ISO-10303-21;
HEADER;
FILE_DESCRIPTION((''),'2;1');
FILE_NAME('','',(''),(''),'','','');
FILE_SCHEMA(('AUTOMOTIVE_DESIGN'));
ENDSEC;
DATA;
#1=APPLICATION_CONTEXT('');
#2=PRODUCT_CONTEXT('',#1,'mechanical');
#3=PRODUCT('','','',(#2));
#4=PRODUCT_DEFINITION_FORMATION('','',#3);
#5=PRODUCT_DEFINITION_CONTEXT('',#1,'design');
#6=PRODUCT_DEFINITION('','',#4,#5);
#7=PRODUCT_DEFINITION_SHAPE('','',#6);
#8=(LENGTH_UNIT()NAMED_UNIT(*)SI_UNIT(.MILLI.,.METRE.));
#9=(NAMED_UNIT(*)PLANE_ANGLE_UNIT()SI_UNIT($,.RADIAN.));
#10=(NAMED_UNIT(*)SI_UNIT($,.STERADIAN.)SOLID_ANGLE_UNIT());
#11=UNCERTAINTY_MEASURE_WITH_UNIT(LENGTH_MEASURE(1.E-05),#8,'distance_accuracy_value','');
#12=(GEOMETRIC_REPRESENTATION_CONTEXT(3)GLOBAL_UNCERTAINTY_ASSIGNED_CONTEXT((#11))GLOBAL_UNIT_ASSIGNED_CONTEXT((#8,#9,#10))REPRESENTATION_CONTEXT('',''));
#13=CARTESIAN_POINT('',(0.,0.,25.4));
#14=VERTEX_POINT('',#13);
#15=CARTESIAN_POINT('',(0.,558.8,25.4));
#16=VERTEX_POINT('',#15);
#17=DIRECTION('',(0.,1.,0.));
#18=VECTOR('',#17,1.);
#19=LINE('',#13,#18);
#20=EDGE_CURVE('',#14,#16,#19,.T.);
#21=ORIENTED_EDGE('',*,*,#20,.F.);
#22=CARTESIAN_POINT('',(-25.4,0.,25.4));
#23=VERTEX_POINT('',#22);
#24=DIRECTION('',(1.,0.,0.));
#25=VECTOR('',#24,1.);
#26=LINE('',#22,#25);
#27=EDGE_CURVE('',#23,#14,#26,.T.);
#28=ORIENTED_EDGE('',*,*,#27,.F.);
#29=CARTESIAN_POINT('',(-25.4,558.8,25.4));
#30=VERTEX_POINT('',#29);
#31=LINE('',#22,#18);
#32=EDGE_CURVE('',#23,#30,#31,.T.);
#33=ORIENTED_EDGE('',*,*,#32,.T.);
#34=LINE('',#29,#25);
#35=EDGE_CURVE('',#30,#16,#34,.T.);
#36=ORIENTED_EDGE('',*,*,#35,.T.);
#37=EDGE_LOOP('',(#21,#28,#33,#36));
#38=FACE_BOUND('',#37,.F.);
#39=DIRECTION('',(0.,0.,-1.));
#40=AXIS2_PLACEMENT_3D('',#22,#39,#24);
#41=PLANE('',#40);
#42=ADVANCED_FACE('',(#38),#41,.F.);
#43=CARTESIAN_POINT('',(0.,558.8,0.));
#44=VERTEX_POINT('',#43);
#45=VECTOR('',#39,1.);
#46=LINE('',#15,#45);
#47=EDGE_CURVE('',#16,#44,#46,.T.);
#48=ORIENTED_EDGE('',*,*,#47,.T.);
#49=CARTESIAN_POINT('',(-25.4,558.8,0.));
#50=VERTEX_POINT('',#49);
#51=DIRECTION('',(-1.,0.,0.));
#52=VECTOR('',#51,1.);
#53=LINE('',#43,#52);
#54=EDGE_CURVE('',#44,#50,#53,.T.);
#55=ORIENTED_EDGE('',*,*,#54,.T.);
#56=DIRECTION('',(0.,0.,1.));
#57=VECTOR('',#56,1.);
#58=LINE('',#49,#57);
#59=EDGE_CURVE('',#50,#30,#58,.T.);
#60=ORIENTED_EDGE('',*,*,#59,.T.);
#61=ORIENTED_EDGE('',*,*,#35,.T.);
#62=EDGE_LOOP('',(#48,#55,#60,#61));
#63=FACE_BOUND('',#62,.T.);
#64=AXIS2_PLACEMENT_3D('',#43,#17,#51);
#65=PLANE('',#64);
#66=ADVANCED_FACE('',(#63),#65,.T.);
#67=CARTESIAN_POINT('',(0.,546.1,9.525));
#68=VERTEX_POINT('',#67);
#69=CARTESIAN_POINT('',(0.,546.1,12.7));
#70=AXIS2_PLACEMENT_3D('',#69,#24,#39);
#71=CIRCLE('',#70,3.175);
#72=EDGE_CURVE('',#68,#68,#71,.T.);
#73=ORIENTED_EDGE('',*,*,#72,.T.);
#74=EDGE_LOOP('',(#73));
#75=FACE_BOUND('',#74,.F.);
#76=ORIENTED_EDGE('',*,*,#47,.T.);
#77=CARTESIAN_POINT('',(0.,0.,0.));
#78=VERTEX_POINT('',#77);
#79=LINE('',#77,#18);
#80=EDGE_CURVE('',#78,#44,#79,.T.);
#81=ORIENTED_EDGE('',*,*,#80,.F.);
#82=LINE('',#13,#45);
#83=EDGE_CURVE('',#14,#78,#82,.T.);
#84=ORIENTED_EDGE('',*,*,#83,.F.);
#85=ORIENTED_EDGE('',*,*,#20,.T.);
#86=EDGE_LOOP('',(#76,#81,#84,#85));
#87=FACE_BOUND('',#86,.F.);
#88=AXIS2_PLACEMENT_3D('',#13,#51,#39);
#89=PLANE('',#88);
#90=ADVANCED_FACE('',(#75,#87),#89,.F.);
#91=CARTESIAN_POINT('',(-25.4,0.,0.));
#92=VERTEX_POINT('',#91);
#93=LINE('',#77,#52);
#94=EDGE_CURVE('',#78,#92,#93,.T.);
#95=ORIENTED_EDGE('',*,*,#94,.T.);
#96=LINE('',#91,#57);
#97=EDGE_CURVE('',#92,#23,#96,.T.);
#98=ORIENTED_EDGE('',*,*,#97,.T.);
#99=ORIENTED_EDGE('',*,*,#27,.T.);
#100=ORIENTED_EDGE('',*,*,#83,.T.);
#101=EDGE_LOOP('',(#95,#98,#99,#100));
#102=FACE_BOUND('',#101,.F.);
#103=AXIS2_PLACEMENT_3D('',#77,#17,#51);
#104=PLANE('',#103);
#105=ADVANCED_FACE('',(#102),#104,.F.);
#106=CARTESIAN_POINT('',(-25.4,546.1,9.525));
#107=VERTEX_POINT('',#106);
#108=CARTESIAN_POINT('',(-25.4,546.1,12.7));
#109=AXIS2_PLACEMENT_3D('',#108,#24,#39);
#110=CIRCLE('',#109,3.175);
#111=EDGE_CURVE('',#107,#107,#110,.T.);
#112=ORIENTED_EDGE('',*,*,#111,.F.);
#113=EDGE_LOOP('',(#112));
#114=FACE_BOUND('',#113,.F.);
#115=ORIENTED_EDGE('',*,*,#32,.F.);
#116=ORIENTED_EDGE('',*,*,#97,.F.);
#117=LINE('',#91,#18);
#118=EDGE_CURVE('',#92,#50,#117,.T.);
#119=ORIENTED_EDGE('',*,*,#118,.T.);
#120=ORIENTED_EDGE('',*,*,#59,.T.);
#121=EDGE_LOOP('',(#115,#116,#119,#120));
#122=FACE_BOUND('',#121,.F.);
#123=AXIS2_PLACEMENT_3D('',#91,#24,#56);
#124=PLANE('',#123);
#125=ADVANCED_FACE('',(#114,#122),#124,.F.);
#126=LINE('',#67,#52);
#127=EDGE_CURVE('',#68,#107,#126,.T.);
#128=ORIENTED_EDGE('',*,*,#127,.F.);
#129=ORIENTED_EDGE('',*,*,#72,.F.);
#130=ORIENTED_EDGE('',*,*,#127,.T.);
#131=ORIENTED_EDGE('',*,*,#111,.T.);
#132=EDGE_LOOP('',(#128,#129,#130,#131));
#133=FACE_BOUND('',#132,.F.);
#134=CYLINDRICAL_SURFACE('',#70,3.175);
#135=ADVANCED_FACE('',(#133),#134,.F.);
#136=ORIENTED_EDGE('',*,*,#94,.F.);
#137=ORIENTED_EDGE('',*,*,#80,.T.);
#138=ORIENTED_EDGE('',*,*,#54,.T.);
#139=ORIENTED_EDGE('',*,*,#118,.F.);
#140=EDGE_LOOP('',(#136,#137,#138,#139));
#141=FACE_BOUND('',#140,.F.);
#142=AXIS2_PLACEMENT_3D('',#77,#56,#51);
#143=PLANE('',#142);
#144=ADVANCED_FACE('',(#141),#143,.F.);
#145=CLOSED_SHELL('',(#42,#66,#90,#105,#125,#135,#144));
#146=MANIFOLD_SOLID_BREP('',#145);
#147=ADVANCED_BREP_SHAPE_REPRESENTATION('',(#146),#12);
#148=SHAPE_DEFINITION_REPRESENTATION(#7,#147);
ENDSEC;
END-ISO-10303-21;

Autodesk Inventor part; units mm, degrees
ref_plane "YZ Plane" through (0, 0, 0) normal (1, 0, 0) x (0, 1, 0)
ref_plane "XZ Plane" through (0, 0, 0) normal (0, 1, 0) x (-1, 0, 0)
ref_plane "XY Plane" through (0, 0, 0) normal (0, 0, 1) x (1, 0, 0)
sketch "Sketch1" plane through (0, 0, 0) normal (0, 1, 0) x (-1, 0, 0)
  line L0 (0, 0) -> (25.4, 0)
  line L1 (25.4, 0) -> (25.4, 25.4)
  line L2 (25.4, 25.4) -> (0, 25.4)
  line L3 (0, 25.4) -> (0, 0)
  dimension "d0" = 25.4
  dimension "d1" = 25.4
extrude "Extrusion1" add sketch "Sketch1" along normal blind 558.8
sketch "Sketch2" plane through (0, 0, 25.4) normal (1, 0, 0) x (0, 0, -1)
  line L0 (25.4, 0) -> (25.4, 558.8) projected
  line L1 (0, 558.8) -> (25.4, 558.8) projected
  circle A0 centre (12.7, 546.1) radius 3.175
  dimension "d4" = 6.35
  dimension "d5" = 12.7
  dimension "d6" = 12.7
extrude "Extrusion2" cut sketch "Sketch2" against normal blind 50.8
properties part number "hardstop length"
